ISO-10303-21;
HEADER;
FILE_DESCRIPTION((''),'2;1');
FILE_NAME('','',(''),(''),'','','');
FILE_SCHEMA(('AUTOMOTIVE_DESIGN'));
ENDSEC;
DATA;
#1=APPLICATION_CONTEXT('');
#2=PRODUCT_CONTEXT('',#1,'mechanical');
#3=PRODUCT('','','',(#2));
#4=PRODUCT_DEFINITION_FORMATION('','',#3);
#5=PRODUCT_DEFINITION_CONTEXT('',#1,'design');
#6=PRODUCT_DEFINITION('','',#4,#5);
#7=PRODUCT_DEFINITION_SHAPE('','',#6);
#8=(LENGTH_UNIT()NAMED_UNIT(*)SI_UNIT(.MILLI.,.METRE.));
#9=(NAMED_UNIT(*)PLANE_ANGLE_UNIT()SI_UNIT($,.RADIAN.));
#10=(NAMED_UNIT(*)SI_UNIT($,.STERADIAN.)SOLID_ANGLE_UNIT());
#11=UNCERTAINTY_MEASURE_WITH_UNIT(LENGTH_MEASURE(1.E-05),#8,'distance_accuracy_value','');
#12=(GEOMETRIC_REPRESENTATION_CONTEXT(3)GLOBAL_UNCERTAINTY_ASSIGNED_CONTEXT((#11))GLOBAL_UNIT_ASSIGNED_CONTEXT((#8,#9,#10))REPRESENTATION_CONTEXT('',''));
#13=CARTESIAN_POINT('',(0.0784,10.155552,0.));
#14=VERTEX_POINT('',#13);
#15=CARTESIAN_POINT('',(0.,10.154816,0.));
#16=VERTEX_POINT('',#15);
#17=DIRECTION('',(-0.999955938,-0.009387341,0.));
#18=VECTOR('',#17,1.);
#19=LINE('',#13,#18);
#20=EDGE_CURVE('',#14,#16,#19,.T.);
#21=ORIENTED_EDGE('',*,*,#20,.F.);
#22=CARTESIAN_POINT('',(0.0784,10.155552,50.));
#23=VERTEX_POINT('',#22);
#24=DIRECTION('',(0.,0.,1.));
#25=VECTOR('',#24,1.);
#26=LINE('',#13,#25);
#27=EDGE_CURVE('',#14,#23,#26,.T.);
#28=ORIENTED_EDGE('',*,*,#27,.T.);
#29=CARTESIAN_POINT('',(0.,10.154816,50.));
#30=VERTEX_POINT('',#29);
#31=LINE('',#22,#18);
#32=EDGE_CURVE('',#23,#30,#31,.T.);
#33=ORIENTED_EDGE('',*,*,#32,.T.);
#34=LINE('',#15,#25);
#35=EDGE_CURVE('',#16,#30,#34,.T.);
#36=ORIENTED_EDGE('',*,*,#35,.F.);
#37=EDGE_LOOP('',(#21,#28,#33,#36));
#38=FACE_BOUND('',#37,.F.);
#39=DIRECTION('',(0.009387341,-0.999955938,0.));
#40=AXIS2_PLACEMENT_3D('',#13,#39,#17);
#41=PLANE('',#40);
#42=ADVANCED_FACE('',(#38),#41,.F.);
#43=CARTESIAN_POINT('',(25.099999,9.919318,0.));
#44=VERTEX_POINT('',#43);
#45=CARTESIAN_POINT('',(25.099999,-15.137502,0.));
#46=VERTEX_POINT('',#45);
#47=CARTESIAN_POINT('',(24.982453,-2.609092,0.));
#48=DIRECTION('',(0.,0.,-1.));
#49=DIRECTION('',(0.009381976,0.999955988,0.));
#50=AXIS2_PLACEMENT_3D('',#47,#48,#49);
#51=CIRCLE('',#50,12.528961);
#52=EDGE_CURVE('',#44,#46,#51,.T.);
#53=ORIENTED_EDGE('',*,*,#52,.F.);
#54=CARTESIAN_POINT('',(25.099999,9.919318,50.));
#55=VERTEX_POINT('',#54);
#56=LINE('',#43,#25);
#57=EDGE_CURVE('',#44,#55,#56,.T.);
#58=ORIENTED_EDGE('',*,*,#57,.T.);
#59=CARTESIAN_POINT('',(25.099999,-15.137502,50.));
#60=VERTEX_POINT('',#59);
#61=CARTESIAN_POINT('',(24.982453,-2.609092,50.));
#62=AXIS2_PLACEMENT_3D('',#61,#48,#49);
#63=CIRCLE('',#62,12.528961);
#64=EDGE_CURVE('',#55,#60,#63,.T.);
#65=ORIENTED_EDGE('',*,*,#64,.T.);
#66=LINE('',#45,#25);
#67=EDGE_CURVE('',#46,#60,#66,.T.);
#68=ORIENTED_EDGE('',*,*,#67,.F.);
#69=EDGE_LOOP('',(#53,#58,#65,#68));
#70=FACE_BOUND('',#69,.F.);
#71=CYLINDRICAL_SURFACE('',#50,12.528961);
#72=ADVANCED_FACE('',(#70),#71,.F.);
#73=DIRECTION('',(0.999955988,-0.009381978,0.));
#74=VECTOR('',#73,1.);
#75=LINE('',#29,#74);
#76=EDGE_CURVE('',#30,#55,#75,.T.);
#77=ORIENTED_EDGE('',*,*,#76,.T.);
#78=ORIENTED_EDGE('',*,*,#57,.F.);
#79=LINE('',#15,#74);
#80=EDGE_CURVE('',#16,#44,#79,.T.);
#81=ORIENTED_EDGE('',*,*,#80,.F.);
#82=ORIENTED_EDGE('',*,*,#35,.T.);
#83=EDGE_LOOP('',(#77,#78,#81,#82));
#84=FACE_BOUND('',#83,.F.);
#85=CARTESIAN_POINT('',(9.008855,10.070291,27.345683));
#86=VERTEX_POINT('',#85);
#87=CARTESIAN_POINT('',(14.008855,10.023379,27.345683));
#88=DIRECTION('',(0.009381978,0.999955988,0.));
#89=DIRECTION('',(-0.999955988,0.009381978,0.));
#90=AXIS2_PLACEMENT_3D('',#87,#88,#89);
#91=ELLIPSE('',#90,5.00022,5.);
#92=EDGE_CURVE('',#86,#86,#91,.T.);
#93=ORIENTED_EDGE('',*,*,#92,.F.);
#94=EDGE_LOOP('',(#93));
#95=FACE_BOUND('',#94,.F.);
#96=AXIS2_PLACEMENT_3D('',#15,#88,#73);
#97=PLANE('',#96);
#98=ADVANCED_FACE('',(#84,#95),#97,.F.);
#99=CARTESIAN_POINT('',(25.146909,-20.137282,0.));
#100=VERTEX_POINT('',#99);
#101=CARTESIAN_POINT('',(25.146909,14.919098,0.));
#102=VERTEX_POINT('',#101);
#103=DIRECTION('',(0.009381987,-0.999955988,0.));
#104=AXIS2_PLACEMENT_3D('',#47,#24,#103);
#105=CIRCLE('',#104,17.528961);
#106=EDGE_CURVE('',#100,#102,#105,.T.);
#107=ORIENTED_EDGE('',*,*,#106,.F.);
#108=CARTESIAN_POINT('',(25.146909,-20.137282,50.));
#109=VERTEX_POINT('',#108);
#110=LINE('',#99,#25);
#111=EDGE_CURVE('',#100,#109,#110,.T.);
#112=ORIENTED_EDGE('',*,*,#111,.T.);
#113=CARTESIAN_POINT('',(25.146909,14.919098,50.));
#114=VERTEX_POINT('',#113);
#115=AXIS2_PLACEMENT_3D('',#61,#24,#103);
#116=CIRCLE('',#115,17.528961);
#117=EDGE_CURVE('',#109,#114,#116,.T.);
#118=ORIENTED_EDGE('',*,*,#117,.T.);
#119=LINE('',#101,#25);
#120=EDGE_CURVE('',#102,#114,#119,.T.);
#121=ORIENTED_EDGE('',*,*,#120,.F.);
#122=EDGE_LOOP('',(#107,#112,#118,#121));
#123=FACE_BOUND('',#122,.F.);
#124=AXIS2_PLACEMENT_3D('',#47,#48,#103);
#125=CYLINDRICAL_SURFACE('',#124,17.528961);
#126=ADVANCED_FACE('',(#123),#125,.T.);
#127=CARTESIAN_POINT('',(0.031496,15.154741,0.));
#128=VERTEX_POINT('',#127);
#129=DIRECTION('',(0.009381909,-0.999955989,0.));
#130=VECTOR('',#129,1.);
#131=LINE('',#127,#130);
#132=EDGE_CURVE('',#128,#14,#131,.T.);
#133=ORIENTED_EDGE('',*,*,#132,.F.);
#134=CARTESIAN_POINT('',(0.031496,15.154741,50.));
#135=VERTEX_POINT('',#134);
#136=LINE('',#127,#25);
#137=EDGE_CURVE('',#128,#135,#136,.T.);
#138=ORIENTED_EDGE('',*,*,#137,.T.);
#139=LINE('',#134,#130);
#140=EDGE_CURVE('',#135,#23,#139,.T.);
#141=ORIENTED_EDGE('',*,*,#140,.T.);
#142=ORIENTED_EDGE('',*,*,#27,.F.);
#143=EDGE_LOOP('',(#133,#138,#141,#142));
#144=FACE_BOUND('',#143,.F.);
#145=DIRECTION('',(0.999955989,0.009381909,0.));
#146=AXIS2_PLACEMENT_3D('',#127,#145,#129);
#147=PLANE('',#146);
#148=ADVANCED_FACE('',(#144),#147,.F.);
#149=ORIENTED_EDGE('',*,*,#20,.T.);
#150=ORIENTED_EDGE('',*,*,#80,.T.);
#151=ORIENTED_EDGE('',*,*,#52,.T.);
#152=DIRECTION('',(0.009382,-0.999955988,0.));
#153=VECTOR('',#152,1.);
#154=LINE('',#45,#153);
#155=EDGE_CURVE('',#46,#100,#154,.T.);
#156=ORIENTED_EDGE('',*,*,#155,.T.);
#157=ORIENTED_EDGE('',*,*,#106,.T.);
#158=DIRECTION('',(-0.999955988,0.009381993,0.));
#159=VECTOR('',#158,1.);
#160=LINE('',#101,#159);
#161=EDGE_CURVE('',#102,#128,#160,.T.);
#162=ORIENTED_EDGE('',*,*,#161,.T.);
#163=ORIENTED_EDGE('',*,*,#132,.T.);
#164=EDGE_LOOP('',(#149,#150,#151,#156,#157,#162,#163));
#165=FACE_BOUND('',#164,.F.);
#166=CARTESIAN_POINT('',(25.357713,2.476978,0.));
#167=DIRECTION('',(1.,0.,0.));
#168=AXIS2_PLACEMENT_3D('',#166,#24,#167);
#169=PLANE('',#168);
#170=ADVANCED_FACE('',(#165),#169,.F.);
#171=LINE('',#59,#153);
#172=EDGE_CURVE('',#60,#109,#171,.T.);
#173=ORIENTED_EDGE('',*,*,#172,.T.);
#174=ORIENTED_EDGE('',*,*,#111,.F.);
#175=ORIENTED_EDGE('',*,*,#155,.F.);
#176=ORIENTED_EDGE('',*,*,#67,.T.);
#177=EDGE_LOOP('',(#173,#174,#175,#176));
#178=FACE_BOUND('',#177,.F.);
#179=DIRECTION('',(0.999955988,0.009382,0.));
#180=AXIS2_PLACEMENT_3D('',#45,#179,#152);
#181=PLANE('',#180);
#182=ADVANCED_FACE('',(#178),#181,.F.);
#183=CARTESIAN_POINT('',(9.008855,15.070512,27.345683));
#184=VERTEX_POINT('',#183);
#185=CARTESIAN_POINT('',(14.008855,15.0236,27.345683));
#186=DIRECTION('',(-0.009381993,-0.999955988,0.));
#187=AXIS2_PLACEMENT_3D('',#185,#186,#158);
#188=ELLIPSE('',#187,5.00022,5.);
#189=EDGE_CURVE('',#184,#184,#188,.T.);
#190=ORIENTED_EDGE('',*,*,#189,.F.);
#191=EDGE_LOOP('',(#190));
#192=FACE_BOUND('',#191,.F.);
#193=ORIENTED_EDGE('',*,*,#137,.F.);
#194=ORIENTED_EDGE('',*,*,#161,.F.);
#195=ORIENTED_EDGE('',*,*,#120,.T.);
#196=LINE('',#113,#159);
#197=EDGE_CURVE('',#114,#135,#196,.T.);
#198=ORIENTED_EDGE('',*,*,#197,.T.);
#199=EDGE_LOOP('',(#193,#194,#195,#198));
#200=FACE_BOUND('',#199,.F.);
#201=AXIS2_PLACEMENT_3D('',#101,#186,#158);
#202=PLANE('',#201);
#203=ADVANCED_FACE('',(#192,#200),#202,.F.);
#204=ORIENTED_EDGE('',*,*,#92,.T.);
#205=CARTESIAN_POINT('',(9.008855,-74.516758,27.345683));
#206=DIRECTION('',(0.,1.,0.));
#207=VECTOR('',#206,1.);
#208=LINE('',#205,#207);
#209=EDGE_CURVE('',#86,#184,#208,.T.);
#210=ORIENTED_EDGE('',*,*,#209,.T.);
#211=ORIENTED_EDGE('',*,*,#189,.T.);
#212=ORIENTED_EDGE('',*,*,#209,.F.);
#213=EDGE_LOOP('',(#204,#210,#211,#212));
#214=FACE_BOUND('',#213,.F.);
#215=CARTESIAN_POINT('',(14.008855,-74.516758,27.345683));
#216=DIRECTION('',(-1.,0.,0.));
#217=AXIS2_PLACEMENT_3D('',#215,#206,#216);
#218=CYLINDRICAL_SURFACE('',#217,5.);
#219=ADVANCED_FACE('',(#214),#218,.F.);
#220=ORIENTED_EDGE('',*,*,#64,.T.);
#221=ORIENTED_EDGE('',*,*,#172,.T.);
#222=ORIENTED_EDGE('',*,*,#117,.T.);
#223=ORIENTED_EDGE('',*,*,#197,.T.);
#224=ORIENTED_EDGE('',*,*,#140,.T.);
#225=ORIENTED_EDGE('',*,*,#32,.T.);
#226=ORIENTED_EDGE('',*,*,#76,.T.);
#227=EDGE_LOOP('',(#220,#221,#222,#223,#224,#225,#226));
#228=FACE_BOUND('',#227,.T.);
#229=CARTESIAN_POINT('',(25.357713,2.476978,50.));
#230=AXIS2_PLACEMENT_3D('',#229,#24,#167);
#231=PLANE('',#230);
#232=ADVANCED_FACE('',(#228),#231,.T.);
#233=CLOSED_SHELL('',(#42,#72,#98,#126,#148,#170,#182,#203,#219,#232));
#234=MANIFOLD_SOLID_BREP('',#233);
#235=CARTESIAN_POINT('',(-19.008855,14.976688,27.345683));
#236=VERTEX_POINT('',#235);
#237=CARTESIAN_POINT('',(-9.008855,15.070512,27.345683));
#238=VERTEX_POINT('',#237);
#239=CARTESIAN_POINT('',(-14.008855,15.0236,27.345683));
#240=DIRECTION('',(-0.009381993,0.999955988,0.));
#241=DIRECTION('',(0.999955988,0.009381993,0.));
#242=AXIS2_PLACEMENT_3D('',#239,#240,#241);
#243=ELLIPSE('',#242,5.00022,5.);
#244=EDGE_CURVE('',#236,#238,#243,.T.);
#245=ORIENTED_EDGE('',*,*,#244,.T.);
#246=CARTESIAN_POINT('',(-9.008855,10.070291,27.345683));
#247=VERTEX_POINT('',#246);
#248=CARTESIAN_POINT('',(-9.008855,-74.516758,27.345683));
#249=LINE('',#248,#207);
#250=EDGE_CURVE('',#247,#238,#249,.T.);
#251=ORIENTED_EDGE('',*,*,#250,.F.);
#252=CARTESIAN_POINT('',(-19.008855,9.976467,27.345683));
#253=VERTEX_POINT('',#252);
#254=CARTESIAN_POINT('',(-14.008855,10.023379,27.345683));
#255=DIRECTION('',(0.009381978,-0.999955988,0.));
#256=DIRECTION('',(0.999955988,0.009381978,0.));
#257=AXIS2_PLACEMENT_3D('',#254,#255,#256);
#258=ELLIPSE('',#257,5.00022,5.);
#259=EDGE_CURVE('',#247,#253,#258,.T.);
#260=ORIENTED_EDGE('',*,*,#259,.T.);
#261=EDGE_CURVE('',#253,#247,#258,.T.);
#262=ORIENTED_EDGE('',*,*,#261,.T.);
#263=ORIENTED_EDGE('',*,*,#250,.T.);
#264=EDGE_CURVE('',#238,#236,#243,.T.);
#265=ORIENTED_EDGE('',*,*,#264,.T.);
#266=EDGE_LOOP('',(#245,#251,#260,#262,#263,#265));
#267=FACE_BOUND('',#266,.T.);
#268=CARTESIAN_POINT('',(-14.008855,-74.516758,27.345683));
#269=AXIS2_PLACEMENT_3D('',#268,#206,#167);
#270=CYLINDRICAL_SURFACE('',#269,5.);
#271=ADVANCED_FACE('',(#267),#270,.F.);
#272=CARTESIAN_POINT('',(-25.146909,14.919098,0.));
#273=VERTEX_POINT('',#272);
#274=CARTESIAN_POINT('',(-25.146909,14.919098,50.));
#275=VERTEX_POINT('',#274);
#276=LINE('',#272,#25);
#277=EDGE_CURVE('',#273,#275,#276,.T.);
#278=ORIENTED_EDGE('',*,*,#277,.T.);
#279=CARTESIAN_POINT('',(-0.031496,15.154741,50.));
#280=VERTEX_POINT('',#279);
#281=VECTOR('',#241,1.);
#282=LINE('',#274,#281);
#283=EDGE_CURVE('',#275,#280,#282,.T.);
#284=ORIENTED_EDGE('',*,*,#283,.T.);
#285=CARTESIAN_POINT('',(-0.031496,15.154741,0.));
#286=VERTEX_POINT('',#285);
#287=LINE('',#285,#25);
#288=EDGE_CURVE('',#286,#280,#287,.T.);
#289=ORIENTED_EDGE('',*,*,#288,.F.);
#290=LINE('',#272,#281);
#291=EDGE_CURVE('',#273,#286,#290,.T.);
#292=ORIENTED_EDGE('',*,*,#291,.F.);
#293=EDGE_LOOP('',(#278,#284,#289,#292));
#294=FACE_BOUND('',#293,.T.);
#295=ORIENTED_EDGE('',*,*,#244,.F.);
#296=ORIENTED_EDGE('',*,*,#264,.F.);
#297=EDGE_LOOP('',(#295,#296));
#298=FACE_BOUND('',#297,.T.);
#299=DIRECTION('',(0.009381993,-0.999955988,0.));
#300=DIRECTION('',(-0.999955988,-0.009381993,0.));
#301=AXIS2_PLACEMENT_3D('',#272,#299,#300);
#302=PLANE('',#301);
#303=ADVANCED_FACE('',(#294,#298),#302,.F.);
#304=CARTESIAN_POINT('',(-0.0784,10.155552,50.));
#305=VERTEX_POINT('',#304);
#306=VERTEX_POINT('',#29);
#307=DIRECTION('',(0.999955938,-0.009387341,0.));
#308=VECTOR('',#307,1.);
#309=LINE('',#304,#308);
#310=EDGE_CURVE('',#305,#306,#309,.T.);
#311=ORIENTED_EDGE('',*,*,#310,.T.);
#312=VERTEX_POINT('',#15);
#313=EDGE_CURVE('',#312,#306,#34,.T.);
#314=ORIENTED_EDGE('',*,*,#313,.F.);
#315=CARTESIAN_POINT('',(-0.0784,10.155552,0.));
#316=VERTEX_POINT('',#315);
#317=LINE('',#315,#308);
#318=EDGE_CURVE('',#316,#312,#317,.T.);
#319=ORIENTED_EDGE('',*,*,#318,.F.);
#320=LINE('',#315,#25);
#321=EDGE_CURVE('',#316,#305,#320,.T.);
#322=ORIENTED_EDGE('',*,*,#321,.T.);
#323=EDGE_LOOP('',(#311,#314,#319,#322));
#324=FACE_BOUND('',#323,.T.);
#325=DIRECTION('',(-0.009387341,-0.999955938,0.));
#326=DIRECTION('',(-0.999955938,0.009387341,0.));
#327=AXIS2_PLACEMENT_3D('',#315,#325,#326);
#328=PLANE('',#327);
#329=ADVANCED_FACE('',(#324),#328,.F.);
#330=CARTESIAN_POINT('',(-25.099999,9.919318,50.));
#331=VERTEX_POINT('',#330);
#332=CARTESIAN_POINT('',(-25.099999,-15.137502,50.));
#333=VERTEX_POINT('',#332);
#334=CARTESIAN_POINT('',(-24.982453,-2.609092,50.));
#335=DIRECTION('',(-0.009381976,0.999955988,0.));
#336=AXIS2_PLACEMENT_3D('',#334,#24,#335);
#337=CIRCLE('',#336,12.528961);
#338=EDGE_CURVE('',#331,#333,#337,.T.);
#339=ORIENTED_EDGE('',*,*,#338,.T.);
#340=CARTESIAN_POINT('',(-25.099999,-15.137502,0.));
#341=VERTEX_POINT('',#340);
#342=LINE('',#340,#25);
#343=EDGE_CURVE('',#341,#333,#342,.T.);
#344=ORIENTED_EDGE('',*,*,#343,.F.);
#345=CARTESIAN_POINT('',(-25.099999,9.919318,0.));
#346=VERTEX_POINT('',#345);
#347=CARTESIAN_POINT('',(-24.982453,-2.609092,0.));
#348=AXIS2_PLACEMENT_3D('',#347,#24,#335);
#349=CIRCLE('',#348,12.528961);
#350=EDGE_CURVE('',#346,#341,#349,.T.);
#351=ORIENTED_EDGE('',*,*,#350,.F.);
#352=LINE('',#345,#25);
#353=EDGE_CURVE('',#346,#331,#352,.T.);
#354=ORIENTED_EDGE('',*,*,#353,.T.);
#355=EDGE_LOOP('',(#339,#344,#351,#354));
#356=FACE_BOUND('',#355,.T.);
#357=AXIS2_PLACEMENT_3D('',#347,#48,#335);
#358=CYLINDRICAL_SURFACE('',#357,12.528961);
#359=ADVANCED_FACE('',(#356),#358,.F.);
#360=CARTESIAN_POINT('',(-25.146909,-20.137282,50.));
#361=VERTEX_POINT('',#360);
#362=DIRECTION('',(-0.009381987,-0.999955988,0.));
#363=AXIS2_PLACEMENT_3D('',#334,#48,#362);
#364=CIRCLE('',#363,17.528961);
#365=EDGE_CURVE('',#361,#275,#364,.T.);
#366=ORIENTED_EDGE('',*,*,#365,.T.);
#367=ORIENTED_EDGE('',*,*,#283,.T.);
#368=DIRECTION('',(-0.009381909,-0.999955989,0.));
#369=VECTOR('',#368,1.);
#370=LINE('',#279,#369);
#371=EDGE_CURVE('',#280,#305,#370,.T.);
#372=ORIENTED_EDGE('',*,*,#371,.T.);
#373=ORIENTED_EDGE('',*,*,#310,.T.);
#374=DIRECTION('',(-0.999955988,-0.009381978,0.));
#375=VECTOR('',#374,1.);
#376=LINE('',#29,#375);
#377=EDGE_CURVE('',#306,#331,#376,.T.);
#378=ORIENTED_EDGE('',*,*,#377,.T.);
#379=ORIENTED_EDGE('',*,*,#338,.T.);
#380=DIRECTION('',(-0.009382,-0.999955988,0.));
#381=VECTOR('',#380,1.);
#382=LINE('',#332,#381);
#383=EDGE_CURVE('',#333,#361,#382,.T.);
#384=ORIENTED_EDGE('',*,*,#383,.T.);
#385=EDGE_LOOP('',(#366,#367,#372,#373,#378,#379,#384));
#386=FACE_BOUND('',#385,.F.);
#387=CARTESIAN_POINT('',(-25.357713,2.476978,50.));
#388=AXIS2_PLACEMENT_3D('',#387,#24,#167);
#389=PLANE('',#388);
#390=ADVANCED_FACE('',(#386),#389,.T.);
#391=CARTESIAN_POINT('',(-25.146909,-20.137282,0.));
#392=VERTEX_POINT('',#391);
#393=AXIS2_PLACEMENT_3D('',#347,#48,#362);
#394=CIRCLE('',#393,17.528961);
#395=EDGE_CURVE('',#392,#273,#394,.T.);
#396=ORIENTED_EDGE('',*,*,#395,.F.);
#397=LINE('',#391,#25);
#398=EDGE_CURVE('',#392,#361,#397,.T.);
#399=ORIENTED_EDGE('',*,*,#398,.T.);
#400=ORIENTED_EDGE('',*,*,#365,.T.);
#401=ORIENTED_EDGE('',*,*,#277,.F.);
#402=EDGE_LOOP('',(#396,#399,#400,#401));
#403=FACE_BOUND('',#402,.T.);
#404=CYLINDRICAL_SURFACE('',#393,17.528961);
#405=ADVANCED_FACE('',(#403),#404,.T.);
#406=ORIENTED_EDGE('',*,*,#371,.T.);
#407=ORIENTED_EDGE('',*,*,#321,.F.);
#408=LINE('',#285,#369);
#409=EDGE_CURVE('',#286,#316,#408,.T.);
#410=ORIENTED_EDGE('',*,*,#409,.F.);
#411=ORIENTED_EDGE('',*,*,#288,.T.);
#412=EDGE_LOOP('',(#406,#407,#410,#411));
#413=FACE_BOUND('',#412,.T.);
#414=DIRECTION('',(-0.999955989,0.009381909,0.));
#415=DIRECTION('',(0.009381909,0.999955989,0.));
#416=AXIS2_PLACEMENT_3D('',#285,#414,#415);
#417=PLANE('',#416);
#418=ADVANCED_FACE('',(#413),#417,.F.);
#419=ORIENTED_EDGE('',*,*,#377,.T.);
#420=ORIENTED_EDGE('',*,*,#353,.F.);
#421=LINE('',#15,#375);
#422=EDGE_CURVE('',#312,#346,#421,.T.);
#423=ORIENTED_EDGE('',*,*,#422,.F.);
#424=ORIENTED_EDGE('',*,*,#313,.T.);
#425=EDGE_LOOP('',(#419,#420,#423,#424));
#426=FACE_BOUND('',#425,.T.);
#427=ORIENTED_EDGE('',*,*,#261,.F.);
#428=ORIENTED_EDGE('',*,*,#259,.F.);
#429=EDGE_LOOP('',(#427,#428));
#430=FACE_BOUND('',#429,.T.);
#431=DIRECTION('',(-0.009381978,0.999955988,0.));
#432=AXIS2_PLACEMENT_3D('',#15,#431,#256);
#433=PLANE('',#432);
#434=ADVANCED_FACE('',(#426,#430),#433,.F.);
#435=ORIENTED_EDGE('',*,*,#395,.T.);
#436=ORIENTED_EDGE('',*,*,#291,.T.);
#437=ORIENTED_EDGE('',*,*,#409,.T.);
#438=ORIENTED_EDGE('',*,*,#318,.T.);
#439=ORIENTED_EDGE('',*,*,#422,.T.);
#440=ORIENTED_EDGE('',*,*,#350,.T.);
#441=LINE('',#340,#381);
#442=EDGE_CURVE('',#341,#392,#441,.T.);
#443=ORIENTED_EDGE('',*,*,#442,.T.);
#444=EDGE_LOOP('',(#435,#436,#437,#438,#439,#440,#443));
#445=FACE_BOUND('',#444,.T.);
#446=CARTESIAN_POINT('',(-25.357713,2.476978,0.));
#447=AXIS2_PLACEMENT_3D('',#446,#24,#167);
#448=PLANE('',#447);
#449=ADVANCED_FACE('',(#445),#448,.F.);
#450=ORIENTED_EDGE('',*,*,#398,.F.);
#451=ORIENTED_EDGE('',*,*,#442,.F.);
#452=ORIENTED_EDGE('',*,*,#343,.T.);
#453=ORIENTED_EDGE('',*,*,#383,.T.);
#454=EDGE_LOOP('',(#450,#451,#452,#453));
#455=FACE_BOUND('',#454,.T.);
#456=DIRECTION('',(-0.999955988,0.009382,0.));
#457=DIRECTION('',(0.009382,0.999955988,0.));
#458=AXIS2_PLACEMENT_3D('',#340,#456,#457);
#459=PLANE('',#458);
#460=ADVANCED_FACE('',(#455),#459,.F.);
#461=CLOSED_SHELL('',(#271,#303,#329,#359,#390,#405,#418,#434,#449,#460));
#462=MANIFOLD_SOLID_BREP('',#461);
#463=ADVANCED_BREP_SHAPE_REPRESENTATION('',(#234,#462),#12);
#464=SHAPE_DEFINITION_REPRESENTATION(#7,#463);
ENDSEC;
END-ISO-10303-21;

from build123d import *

# Parameters (mm, degrees)
F1_DEPTH = 50
F4_D     = 10
F4_2_D   = 10


with BuildPart() as f1:
    # F0 (on Top) → F1 (new body)
    with BuildSketch(Plane.XY):
        with BuildLine():
            ThreePointArc((25.099999, 9.919318), (37.511414, -2.609092), (25.099999, -15.137502))
            Line((25.099999, -15.137502), (25.146909, -20.137282))
            ThreePointArc((25.146909, -20.137282), (42.511414, -2.609092), (25.146909, 14.919098))
            Line((25.146909, 14.919098), (0.031496, 15.154741))
            Line((0.031496, 15.154741), (0.0784, 10.155552))
            Line((0.0784, 10.155552), (0, 10.154816))
            Line((0, 10.154816), (25.099999, 9.919318))
        make_face()
    extrude(amount=F1_DEPTH)

    # F4 (through all)
    with Locations(Plane.XZ):
        with Locations((-14.008855, 27.345683), (14.008855, 27.345683)):
            Hole(F4_D / 2)


with BuildPart() as f2_1:
    # F2: instance of F1
    add(f1.part.mirror(Plane.YZ))

    # F4#2 (through all)
    with Locations(Plane.XZ):
        with Locations((-14.008855, 27.345683), (14.008855, 27.345683)):
            Hole(F4_2_D / 2)


solid = Compound([f1.part, f2_1.part])
